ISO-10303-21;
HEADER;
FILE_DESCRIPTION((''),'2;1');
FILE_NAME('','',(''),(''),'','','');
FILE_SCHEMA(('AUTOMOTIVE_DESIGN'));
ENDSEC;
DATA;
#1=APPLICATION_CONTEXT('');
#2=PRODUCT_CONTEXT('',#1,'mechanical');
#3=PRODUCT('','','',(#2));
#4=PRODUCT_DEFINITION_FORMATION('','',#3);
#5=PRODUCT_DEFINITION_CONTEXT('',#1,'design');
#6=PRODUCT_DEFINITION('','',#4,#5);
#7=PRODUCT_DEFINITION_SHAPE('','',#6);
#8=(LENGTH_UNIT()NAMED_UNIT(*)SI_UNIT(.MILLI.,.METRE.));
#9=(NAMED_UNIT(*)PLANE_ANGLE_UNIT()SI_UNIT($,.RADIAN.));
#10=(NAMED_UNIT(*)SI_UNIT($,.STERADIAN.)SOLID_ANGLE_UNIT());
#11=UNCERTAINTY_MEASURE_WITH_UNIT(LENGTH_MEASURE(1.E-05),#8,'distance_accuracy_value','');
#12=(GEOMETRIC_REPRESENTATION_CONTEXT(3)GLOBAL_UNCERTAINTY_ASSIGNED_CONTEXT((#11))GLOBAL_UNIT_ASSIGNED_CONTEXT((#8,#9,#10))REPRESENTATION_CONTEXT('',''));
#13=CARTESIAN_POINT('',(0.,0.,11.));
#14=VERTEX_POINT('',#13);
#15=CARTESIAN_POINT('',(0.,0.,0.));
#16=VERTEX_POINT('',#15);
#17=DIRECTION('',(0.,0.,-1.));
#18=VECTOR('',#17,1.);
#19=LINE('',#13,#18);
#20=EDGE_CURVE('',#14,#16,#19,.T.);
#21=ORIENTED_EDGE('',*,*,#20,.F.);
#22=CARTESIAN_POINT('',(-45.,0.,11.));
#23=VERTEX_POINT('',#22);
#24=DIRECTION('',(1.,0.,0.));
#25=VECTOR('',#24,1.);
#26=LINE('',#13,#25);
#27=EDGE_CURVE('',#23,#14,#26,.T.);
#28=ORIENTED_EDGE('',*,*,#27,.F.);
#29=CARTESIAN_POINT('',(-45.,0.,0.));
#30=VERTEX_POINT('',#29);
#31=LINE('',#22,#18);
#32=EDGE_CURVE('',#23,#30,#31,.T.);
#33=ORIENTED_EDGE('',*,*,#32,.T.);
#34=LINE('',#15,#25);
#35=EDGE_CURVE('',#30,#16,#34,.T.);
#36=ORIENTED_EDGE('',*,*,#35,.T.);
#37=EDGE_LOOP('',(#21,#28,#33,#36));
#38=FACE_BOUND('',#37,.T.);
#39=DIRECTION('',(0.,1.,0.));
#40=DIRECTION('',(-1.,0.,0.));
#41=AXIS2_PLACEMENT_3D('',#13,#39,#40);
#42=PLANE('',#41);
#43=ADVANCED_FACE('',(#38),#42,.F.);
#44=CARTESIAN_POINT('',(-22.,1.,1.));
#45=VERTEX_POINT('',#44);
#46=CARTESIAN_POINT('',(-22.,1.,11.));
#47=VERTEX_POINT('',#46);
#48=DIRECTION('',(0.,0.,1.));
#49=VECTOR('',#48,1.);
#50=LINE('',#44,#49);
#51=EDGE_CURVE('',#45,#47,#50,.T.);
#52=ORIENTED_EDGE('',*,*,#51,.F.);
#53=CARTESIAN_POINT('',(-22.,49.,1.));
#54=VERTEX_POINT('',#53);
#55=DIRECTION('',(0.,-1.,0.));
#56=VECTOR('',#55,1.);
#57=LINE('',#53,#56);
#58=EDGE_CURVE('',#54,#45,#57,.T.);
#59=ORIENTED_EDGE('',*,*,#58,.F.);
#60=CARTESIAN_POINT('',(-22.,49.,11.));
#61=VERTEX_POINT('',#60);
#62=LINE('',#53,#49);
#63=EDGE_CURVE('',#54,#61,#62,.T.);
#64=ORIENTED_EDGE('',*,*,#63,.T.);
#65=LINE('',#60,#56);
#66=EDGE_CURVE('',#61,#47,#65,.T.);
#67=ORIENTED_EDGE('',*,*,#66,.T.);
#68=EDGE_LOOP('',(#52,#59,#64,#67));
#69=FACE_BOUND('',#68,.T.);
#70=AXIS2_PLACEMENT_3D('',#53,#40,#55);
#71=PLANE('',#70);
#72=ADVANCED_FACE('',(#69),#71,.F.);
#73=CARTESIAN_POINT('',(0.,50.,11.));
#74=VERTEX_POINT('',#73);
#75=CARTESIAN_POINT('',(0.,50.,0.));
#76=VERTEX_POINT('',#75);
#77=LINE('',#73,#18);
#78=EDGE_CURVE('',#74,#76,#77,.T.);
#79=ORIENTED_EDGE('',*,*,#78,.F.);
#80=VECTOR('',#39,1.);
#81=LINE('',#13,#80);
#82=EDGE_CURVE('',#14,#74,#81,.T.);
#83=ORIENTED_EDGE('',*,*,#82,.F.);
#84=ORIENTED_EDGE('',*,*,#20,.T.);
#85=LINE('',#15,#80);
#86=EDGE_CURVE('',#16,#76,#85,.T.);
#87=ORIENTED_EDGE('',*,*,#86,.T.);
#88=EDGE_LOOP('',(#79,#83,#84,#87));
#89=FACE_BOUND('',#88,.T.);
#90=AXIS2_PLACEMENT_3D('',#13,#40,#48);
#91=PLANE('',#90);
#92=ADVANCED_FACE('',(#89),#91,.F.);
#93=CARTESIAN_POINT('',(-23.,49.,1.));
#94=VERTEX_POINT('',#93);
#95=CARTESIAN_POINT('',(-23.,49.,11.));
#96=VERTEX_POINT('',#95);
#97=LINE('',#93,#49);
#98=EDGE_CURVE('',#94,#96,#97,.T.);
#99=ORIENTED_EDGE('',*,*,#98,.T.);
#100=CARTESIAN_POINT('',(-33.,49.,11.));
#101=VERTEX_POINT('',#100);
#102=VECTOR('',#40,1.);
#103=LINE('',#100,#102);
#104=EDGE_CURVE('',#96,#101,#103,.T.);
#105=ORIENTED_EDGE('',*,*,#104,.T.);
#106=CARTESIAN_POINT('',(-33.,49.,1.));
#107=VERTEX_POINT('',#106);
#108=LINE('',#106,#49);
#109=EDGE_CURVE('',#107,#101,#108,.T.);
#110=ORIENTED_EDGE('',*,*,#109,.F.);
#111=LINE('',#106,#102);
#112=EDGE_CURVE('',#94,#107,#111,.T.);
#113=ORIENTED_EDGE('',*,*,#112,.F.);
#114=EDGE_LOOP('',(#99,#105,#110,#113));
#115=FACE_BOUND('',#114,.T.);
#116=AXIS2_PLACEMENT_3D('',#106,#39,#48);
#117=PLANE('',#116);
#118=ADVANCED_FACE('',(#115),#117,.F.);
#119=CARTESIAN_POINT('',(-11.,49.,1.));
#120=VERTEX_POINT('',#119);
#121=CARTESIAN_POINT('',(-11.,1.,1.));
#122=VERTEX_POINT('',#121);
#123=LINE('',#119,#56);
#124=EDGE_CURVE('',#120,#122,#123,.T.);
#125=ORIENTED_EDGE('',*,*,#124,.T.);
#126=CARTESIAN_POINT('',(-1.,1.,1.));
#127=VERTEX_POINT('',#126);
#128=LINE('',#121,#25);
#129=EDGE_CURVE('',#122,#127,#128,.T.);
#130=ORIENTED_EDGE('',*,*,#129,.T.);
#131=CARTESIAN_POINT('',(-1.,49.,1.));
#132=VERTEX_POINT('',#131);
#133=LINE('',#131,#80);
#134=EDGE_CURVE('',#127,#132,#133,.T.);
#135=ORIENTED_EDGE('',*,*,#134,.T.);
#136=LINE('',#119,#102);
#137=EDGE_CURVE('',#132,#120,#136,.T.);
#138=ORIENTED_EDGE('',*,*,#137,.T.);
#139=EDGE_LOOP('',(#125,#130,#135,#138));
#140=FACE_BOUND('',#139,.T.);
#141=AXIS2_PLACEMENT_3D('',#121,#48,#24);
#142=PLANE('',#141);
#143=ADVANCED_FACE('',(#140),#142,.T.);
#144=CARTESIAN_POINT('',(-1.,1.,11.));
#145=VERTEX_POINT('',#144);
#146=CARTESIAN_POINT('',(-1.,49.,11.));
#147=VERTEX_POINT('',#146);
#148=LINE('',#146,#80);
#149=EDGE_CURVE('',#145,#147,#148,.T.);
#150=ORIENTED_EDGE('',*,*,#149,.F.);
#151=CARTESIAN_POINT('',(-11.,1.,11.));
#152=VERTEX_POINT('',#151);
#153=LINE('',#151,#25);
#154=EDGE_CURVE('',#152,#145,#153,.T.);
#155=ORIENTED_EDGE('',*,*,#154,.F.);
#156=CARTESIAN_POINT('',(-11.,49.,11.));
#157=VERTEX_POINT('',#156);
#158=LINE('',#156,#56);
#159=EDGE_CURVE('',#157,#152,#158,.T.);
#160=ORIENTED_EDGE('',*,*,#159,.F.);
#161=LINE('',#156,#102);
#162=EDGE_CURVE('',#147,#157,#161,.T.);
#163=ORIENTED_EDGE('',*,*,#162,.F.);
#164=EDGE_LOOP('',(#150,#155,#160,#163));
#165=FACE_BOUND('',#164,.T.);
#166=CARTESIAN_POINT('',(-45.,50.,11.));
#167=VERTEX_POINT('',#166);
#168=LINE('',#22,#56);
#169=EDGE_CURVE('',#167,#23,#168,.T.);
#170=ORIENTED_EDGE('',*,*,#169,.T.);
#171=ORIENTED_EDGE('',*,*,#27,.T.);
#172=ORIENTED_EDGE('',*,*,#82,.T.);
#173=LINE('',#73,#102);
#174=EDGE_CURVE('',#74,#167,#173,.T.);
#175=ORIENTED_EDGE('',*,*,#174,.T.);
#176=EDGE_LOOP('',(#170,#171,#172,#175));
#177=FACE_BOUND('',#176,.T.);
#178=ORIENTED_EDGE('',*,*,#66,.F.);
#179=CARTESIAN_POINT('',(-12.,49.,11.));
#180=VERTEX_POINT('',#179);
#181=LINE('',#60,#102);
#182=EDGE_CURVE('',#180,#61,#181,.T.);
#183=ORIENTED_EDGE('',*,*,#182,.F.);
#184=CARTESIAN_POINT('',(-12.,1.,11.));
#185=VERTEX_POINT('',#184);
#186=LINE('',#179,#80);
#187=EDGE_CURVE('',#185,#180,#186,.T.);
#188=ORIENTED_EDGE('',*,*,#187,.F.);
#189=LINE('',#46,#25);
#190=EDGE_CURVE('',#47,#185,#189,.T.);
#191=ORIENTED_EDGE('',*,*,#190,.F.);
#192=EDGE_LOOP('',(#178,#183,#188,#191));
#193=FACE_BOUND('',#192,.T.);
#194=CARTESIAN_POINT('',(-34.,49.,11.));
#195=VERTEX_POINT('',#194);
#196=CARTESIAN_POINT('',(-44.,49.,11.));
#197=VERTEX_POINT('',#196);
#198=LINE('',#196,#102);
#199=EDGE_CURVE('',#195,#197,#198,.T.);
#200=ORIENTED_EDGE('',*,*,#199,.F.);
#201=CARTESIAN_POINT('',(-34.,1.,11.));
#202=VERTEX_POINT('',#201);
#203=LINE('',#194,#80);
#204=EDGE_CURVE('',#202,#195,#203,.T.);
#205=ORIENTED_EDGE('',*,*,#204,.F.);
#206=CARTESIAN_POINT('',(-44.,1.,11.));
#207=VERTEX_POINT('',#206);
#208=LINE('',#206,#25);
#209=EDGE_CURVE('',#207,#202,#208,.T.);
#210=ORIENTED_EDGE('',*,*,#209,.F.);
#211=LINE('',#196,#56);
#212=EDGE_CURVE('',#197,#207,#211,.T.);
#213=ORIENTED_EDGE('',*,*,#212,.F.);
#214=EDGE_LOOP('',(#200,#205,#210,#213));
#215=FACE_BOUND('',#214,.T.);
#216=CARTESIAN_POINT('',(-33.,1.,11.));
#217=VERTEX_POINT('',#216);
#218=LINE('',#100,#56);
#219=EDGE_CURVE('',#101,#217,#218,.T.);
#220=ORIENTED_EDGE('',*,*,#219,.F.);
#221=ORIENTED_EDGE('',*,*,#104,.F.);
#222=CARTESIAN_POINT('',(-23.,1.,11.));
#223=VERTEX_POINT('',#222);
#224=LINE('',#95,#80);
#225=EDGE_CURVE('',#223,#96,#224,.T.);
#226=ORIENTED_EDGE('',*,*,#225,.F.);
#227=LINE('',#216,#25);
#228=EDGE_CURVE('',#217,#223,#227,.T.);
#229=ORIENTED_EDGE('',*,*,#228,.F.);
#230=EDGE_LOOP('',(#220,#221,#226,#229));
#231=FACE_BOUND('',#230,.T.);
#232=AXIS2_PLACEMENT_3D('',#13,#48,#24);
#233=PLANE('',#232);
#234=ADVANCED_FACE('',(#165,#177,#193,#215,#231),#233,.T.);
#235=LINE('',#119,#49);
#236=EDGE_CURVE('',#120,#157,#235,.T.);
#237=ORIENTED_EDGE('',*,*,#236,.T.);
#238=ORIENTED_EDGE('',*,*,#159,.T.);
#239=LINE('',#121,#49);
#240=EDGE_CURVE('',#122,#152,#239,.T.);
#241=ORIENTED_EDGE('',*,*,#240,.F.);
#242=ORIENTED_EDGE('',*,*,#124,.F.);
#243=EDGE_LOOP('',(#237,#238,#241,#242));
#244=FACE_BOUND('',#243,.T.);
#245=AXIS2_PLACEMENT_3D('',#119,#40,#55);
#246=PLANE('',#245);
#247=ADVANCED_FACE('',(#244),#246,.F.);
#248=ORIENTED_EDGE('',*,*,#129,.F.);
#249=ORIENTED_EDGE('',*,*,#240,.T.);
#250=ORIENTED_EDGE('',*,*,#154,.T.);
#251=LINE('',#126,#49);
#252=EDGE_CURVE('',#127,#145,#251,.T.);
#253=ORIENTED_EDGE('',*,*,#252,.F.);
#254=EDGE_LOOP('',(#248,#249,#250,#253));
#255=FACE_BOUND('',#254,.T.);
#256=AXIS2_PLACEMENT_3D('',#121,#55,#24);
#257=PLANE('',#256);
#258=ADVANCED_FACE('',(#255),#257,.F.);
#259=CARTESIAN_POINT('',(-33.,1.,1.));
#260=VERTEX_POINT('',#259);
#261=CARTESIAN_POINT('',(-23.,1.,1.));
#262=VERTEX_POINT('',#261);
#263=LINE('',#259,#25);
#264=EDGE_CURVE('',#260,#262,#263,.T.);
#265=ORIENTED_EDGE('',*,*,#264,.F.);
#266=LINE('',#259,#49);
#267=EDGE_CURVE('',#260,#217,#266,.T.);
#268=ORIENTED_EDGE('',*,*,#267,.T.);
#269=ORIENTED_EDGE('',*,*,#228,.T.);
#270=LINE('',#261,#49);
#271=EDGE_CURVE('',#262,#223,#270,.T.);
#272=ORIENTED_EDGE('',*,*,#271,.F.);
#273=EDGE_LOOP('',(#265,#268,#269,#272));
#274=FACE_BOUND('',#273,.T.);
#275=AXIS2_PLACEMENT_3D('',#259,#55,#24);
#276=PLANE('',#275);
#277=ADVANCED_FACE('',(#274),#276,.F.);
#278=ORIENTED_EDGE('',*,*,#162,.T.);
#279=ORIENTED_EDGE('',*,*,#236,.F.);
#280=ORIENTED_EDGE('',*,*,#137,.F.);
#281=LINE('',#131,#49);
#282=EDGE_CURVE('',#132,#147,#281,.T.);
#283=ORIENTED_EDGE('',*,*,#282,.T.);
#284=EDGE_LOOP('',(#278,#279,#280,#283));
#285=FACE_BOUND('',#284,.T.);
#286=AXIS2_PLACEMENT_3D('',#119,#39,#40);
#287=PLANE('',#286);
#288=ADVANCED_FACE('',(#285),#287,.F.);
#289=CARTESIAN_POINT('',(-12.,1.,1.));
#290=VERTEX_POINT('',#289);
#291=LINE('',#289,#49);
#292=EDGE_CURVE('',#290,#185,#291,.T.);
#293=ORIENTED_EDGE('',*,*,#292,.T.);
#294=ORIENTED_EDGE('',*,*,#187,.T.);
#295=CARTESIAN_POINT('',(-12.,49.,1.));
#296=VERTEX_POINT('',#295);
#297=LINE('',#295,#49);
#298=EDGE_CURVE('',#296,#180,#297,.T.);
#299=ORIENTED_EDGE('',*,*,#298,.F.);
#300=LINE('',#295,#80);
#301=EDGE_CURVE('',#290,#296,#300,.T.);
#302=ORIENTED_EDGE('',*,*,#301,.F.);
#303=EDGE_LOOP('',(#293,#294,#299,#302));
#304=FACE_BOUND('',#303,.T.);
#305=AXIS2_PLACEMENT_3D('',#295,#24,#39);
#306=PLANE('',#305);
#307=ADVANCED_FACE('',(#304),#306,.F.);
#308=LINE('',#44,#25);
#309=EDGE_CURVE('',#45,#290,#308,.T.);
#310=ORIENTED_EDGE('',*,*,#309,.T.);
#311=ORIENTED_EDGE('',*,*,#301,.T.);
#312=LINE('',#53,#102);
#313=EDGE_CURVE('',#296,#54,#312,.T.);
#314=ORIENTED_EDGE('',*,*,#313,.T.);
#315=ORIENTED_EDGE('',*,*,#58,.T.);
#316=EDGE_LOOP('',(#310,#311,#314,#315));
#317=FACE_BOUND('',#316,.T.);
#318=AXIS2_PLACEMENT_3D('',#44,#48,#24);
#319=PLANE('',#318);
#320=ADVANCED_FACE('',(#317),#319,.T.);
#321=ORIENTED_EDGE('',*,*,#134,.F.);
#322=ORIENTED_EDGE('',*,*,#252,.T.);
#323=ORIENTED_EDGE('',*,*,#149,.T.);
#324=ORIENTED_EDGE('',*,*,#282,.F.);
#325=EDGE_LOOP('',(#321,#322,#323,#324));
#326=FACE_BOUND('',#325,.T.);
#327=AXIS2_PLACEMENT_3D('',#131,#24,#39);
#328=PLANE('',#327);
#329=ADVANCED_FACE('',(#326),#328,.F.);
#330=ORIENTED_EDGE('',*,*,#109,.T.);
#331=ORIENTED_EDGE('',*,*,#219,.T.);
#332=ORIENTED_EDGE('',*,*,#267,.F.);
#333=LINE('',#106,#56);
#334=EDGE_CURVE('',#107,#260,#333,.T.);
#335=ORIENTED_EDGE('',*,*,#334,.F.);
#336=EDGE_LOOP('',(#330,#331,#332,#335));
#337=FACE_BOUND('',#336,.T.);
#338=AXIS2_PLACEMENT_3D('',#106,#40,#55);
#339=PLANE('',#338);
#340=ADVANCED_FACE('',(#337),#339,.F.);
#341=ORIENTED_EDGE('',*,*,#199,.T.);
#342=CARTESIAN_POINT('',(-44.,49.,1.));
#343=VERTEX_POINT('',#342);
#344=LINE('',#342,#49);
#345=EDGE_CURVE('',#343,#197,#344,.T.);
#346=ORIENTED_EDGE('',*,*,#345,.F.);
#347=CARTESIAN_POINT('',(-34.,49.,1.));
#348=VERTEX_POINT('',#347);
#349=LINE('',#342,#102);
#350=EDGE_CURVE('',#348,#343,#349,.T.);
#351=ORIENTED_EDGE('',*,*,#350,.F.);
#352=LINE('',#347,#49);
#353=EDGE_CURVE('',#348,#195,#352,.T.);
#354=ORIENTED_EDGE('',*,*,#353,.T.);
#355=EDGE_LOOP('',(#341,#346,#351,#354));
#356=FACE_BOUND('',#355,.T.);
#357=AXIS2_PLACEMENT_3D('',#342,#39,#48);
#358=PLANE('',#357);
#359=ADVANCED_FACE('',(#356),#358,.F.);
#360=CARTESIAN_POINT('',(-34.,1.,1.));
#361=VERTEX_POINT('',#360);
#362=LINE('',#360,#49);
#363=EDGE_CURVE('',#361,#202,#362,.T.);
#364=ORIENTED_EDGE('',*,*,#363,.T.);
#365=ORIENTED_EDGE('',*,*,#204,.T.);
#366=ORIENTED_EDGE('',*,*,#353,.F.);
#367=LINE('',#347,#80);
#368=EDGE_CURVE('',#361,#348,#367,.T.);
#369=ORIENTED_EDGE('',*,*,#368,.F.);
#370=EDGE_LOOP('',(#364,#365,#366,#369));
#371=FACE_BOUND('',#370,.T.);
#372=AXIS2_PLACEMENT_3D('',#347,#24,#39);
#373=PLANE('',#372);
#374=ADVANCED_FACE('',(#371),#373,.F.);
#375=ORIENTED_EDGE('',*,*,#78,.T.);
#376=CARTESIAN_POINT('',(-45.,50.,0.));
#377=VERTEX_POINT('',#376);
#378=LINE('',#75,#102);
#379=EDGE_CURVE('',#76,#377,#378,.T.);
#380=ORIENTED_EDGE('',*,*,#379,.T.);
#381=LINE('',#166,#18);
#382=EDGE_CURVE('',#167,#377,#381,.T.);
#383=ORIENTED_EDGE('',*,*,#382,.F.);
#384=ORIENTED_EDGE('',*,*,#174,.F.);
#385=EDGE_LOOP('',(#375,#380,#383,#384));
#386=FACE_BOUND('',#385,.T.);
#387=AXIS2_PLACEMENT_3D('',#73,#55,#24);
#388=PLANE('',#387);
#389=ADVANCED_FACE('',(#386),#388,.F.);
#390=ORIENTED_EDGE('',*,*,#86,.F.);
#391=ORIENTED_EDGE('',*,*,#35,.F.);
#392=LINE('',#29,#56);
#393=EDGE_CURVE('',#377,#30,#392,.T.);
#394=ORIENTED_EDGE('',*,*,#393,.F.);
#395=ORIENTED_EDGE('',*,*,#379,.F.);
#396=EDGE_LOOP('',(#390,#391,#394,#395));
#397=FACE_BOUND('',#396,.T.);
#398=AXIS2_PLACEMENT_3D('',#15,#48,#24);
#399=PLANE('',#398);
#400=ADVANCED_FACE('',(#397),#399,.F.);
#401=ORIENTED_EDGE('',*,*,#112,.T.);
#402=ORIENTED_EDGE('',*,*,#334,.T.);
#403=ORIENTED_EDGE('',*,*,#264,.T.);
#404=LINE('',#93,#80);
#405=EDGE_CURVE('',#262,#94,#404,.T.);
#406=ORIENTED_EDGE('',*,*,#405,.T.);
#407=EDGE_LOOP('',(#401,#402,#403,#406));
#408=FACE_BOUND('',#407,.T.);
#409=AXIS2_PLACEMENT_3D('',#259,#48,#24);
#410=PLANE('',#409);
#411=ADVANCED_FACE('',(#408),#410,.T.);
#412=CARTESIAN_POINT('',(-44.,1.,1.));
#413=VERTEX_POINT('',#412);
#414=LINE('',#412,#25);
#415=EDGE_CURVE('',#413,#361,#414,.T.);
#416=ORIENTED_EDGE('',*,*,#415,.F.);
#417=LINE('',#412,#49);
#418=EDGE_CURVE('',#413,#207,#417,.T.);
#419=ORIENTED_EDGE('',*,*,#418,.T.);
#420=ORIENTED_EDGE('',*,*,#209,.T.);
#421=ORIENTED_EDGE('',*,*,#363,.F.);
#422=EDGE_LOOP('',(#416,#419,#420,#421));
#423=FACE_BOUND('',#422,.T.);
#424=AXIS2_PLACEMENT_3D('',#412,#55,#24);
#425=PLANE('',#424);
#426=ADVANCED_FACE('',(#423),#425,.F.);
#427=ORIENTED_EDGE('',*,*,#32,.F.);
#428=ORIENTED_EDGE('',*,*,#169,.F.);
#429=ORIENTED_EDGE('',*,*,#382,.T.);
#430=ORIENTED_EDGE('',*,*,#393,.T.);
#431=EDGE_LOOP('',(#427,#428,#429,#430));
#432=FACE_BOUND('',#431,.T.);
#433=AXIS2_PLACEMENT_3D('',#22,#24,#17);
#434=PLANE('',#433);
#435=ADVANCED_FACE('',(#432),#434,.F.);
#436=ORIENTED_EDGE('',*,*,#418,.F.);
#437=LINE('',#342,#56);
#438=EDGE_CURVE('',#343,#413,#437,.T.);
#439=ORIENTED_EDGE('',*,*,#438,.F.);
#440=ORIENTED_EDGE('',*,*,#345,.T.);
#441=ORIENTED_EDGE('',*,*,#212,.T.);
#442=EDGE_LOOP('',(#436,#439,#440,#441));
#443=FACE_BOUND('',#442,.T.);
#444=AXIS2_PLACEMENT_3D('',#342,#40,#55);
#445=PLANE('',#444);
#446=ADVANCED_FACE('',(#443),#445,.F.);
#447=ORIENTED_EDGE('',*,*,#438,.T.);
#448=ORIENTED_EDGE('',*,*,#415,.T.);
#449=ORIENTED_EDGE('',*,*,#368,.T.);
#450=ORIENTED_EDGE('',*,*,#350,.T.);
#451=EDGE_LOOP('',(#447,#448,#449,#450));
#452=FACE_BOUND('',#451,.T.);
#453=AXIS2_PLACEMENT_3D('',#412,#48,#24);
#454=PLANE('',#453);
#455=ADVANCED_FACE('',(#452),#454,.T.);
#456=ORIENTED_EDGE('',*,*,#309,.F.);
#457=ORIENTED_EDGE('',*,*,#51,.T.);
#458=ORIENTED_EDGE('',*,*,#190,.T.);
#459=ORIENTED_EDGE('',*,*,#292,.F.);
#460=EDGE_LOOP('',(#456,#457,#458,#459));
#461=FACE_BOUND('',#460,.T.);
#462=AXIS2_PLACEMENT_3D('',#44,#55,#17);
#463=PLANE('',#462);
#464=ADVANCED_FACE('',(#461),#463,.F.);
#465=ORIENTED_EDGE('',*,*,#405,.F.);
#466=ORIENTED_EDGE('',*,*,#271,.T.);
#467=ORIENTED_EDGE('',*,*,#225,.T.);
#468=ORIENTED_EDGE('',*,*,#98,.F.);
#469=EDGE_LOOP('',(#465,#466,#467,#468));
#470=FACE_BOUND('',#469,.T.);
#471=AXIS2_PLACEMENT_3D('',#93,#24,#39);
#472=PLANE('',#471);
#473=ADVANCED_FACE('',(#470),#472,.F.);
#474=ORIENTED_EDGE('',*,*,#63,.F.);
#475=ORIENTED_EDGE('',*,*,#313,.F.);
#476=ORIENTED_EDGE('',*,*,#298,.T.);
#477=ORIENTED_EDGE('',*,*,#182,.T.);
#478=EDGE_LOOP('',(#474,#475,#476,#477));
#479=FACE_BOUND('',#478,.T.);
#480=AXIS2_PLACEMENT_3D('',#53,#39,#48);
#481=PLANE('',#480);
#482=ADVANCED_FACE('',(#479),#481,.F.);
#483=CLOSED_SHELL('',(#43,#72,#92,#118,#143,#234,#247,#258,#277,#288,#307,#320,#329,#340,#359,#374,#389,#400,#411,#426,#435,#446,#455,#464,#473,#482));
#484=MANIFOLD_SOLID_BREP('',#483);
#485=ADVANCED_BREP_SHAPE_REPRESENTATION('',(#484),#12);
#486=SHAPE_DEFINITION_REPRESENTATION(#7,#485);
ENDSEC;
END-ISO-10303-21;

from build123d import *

# Parameters (mm, degrees)
ESQUISSE1_W             = 45
ESQUISSE1_H             = 50
EXTRUSION1_DEPTH        = 11
ESQUISSE2_W             = 10
ESQUISSE2_H             = 48
ENL_V_MAT_EXTRU_1_DEPTH = 10


with BuildPart() as part:
    # Esquisse1 → Extrusion1 (new body)
    with BuildSketch(Plane.XY):
        with Locations((-22.5, 25)):
            Rectangle(ESQUISSE1_W, ESQUISSE1_H)
    extrude(amount=EXTRUSION1_DEPTH)

    # Esquisse2 → Enlèv. mat.-Extru.1 (cut)
    with BuildSketch(Plane.XY.offset(11)):
        with Locations((-39, 25)):
            Rectangle(ESQUISSE2_W, ESQUISSE2_H)
        with Locations((-28, 25)):
            Rectangle(ESQUISSE2_W, ESQUISSE2_H)
        with Locations((-17, 25)):
            Rectangle(ESQUISSE2_W, ESQUISSE2_H)
        with Locations((-6, 25)):
            Rectangle(ESQUISSE2_W, ESQUISSE2_H)
    extrude(amount=-ENL_V_MAT_EXTRU_1_DEPTH, mode=Mode.SUBTRACT)


solid = part.part
